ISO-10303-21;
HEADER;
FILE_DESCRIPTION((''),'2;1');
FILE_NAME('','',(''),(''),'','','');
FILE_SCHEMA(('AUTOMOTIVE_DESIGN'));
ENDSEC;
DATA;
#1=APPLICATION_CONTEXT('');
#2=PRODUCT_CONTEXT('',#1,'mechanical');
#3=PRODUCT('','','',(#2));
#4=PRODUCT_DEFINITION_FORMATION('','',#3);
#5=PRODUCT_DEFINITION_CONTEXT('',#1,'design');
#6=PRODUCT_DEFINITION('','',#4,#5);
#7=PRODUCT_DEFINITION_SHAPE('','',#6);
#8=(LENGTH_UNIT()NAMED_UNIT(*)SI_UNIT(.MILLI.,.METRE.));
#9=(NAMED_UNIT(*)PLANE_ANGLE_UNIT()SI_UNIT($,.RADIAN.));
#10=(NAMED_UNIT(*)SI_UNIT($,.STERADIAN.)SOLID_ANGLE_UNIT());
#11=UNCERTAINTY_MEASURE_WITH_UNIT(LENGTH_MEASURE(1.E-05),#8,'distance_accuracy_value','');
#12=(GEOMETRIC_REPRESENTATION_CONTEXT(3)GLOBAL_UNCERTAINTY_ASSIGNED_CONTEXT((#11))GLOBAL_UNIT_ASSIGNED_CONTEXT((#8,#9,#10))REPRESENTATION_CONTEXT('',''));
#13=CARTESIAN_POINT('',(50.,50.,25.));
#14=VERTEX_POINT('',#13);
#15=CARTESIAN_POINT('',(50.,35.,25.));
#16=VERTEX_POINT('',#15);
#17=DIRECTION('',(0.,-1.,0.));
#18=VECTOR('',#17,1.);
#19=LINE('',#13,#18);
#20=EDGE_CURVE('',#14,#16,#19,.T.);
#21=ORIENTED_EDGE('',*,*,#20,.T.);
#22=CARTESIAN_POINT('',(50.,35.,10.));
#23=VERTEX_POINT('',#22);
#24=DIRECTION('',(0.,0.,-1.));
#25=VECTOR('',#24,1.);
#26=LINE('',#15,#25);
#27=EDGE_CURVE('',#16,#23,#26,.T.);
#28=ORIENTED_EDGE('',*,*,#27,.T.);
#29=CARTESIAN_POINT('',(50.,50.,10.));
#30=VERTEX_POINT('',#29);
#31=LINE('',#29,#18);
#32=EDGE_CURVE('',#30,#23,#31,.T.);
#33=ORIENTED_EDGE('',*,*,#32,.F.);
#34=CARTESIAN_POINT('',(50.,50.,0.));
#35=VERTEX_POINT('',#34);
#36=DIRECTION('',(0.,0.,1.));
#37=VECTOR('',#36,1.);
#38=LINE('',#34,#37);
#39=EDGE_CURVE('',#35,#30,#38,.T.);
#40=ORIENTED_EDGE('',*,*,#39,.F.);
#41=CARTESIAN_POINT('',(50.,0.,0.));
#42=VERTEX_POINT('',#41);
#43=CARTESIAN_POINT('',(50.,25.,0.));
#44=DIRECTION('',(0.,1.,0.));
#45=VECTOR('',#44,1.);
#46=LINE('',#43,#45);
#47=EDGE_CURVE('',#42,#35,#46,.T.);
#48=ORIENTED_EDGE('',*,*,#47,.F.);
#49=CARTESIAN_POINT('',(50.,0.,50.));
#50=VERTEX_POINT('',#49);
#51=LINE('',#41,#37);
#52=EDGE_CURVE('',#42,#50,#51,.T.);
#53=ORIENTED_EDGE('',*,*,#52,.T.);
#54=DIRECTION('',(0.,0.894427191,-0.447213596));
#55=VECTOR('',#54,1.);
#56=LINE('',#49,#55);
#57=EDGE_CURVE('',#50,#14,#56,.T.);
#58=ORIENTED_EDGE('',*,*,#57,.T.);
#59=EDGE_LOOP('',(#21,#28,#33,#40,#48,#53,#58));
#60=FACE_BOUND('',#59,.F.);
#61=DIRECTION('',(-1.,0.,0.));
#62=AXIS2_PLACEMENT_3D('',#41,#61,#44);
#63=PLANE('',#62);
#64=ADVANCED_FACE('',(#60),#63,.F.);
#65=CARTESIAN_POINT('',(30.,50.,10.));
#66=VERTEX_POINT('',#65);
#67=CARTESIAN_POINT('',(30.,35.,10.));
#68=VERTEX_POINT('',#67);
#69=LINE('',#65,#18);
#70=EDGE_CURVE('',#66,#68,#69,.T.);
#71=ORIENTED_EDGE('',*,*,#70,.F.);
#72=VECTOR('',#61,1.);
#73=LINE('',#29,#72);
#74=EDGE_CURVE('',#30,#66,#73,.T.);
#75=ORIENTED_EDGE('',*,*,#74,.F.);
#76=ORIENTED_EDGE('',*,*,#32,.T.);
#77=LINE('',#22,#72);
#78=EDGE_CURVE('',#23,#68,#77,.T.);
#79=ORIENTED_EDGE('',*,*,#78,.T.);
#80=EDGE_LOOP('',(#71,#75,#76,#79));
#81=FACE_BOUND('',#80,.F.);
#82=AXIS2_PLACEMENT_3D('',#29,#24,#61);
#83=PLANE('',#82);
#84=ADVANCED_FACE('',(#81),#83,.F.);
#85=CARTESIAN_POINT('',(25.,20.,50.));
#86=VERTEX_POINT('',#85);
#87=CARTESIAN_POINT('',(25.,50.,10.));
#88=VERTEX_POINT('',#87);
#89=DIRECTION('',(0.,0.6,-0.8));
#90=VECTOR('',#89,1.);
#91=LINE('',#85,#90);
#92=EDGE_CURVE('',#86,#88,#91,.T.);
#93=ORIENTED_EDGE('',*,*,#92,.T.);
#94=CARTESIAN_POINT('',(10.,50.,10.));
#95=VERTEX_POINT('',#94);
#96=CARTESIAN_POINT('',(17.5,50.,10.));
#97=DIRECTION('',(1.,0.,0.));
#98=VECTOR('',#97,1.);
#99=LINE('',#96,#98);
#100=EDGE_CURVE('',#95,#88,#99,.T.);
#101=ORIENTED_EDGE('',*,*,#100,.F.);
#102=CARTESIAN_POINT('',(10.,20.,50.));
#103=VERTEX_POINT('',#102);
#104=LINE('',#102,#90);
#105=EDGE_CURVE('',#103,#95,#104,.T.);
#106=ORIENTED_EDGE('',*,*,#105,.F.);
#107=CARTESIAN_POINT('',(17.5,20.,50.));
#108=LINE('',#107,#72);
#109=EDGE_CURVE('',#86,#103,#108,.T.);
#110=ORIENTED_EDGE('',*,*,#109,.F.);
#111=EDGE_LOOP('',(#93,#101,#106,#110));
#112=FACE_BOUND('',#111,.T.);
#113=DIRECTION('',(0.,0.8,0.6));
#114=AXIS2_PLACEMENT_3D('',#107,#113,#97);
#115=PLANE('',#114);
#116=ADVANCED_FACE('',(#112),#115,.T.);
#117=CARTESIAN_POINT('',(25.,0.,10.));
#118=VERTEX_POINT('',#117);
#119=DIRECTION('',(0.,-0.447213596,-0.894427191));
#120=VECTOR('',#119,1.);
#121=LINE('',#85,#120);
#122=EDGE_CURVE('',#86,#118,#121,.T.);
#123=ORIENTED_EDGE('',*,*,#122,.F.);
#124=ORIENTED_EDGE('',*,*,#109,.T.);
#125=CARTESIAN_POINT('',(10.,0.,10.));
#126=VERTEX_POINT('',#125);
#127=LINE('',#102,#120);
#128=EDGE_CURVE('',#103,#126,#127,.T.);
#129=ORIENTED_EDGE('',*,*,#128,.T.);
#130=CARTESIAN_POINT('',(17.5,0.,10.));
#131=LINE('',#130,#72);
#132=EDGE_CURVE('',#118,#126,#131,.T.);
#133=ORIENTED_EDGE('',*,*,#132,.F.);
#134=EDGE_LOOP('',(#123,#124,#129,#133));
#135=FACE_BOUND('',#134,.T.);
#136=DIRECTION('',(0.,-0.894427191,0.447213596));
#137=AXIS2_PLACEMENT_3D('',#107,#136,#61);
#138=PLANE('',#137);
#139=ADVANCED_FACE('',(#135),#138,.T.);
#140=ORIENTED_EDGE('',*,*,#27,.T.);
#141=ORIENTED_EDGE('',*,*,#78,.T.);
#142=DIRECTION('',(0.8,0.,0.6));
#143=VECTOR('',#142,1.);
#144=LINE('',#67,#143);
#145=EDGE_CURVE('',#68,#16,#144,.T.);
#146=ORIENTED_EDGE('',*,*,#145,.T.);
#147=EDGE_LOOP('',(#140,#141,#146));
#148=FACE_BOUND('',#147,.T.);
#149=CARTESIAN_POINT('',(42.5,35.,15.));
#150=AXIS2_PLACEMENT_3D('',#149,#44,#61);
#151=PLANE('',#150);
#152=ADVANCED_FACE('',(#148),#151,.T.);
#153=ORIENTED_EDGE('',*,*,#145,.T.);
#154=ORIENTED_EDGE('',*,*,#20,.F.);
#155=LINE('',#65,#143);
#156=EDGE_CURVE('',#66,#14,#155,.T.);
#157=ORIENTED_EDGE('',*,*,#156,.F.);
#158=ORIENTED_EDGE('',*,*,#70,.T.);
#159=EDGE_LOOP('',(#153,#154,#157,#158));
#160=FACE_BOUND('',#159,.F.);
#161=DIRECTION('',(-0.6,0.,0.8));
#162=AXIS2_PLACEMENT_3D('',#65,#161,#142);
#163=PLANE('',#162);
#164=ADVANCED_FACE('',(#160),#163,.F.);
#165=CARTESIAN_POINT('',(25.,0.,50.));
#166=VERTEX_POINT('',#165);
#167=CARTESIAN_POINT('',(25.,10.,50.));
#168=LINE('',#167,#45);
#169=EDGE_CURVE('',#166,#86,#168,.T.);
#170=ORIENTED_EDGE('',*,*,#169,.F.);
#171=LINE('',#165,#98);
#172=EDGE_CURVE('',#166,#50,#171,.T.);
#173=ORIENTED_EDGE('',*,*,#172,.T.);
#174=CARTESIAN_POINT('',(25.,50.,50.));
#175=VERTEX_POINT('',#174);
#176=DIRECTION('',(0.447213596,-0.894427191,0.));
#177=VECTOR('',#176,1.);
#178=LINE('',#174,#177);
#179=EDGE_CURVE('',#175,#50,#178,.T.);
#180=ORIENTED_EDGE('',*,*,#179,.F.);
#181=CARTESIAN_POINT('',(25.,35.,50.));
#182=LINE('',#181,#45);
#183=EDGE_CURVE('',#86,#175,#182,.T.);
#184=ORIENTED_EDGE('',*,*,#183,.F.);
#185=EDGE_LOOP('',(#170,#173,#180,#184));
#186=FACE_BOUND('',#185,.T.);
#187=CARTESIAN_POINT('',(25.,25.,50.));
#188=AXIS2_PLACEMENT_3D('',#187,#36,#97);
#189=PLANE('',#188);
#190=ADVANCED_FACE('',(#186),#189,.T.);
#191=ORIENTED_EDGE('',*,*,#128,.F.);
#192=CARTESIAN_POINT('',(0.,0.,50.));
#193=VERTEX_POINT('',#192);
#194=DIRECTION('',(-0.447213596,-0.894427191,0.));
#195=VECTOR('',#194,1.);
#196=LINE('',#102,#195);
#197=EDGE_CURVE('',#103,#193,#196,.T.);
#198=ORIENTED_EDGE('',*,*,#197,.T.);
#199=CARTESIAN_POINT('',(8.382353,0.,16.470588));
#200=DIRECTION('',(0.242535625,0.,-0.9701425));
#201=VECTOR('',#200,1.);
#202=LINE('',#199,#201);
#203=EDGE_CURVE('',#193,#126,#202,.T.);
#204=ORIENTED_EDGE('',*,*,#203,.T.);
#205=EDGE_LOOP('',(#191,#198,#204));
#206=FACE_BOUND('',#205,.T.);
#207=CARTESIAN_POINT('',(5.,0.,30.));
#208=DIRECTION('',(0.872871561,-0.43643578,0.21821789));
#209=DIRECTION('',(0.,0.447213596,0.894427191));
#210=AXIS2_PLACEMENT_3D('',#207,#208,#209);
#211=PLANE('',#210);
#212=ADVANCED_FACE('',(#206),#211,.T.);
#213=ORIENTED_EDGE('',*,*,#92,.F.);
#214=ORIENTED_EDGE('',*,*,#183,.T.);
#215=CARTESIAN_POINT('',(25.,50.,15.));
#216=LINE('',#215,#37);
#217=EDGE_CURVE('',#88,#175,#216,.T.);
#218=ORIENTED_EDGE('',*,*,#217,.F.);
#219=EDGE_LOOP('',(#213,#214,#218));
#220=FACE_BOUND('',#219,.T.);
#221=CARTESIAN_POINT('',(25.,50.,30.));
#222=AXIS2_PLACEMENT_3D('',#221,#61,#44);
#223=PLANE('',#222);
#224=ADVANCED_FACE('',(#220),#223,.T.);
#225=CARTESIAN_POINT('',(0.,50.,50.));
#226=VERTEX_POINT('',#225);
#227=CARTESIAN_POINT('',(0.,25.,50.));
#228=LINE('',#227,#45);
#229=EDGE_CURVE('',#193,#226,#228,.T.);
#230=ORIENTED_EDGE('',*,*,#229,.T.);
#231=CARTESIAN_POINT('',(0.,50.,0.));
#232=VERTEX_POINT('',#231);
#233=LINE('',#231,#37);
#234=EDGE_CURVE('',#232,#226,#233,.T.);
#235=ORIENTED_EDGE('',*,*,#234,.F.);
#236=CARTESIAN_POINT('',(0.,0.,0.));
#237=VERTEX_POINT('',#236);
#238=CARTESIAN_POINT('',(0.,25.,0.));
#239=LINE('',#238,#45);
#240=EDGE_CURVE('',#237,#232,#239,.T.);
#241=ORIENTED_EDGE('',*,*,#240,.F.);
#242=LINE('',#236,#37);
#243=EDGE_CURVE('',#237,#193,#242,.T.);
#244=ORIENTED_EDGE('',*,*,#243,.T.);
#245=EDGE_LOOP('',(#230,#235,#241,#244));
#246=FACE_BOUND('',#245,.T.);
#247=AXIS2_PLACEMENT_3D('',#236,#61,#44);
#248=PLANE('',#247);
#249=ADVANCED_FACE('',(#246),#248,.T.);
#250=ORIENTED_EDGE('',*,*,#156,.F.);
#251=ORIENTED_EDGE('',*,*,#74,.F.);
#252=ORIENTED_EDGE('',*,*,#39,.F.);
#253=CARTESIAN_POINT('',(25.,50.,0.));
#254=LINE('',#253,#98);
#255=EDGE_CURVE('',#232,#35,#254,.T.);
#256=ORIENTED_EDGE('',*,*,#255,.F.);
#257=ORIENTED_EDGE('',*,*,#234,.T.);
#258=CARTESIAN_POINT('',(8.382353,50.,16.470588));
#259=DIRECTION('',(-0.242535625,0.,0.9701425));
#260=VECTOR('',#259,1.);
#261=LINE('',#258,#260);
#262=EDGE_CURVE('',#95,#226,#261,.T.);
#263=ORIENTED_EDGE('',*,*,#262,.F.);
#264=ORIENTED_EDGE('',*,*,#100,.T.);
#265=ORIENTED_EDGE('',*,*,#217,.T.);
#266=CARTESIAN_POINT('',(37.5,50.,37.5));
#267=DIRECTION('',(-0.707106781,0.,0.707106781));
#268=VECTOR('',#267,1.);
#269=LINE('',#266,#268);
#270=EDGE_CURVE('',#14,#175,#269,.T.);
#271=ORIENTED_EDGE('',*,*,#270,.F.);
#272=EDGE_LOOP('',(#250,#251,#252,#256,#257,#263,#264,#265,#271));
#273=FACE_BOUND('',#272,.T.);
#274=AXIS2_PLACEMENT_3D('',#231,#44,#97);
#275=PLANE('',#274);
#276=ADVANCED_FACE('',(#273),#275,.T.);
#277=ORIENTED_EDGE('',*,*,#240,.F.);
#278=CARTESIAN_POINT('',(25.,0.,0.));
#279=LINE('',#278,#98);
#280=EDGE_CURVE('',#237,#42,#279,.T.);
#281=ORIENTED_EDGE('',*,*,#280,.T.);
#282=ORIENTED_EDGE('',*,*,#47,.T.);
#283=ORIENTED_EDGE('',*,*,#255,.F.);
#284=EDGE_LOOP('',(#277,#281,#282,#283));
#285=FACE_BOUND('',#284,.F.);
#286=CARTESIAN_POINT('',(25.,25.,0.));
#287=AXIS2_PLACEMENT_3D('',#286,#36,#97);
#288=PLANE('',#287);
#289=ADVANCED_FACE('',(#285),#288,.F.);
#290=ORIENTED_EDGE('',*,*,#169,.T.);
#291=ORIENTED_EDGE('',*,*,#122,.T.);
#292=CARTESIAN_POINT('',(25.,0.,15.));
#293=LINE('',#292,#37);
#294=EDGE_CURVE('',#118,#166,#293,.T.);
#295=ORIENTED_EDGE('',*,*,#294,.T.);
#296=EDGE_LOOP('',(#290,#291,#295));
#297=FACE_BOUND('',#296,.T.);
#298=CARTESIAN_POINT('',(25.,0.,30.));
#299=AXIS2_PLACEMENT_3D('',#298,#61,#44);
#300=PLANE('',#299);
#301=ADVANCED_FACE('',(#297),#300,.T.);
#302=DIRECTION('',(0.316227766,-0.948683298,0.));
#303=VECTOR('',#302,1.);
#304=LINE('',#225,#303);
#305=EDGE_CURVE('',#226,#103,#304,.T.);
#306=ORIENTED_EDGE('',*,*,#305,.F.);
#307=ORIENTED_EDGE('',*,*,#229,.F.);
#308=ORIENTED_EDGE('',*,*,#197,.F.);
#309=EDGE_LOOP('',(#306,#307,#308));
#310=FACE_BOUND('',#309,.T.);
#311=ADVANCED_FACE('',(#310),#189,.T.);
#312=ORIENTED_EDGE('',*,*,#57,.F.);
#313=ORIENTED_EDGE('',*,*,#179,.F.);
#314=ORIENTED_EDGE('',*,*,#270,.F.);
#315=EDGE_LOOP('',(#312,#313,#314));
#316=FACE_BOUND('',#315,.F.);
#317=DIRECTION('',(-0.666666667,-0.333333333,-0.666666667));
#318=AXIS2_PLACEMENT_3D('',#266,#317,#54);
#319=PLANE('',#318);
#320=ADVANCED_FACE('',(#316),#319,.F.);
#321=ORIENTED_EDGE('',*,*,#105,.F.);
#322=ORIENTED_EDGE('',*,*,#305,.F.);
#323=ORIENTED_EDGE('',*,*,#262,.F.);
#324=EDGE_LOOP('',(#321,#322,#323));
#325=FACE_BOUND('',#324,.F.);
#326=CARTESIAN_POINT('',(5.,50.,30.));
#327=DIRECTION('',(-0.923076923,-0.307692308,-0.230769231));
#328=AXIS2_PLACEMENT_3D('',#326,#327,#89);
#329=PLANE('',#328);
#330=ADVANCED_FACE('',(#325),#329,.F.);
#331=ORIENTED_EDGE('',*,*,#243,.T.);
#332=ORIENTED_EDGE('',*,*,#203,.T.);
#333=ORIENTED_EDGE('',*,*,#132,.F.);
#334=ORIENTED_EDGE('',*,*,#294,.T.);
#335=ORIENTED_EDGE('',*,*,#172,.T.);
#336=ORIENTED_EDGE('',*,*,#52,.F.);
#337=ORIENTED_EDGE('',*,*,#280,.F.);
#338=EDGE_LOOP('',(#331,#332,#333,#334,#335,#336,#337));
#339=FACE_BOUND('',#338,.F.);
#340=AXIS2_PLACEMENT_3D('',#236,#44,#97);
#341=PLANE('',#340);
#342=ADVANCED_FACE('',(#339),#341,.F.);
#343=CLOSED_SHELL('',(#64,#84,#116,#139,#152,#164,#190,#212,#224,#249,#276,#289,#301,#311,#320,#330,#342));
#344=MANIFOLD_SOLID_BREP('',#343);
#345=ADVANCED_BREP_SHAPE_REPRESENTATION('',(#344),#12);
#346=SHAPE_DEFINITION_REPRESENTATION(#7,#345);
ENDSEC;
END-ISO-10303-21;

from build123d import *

# Parameters (mm, degrees)
F0_W     = 50
F0_H     = 50
F1_DEPTH = 50
F3_DEPTH = 15
F4_W     = 15
F4_H     = 20
F7_W     = 15
F7_H     = 30


with BuildPart() as f1:
    # F0 (on Top) → F1 (new body)
    with BuildSketch(Plane.XY):
        with Locations((25, 25)):
            Rectangle(F0_W, F0_H)
    extrude(amount=F1_DEPTH)

    # F2 (on face) → F3 (cut)
    with BuildSketch(Plane(origin=(0, 50, 0), x_dir=(-1, 0, 0), z_dir=(0, 1, 0))):
        Polygon((-50, 25), (-50, 10), (-30, 10), align=None)
    extrude(amount=-F3_DEPTH, mode=Mode.SUBTRACT)

    # F6: sweep along a path in F5
    with BuildLine(Plane(origin=(0, 0, 0), x_dir=(0, -1, 0), z_dir=(-1, 0, 0))) as f6_path:
        Line((-20, 50), (0, 10))
    # F4 (on face) → F6 (sweep, cut)
    with BuildSketch(Plane.XY.offset(50)):
        with Locations((17.5, 10)):
            Rectangle(F4_W, F4_H)
    sweep(path=f6_path.line, mode=Mode.SUBTRACT)

    # F9: sweep along a path in F8
    with BuildLine(Plane(origin=(0, 0, 0), x_dir=(0, -1, 0), z_dir=(-1, 0, 0))) as f9_path:
        Line((-20, 50), (-50, 10))
    # F7 (on face) → F9 (sweep, cut)
    with BuildSketch(Plane.XY.offset(50)):
        with Locations((17.5, 35)):
            Rectangle(F7_W, F7_H)
    sweep(path=f9_path.line, mode=Mode.SUBTRACT)

    # F12: sweep along a path in F10
    with BuildLine(Plane.XY.offset(50)) as f12_path:
        Line((10, 20), (0, 0))
    # F6_face (on face) → F12 (sweep, cut)
    with BuildSketch(Plane(origin=(10, 6.6666666667, 36.6666666667), x_dir=(0, 1, 0), z_dir=(1, 0, 0))):
        Polygon((-6.6666666667, -26.6666666667), (13.3333333333, 13.3333333333), (-6.6666666667, 13.3333333333), align=None)
    sweep(path=f12_path.line, mode=Mode.SUBTRACT)

    # F15: sweep along a path in F13
    with BuildLine(Plane.XY.offset(50)) as f15_path:
        Line((0, 50), (10, 20))
    # F9_face1 (on face) → F15 (sweep, cut)
    with BuildSketch(Plane(origin=(10, 40, 36.6666666667), x_dir=(0, 1, 0), z_dir=(1, 0, 0))):
        Polygon((10, -26.6666666667), (10, 13.3333333333), (-20, 13.3333333333), align=None)
    sweep(path=f15_path.line, mode=Mode.SUBTRACT)

    # F18: sweep along a path in F16
    with BuildLine(Plane.XY.offset(50)) as f18_path:
        Line((25, 50), (50, 0))
    # F17 (on face) → F18 (sweep, cut)
    with BuildSketch(Plane.YZ.offset(50)):
        Polygon((50, 50), (0, 50), (50, 25), align=None)
    sweep(path=f18_path.line, mode=Mode.SUBTRACT)


solid = f1.part
